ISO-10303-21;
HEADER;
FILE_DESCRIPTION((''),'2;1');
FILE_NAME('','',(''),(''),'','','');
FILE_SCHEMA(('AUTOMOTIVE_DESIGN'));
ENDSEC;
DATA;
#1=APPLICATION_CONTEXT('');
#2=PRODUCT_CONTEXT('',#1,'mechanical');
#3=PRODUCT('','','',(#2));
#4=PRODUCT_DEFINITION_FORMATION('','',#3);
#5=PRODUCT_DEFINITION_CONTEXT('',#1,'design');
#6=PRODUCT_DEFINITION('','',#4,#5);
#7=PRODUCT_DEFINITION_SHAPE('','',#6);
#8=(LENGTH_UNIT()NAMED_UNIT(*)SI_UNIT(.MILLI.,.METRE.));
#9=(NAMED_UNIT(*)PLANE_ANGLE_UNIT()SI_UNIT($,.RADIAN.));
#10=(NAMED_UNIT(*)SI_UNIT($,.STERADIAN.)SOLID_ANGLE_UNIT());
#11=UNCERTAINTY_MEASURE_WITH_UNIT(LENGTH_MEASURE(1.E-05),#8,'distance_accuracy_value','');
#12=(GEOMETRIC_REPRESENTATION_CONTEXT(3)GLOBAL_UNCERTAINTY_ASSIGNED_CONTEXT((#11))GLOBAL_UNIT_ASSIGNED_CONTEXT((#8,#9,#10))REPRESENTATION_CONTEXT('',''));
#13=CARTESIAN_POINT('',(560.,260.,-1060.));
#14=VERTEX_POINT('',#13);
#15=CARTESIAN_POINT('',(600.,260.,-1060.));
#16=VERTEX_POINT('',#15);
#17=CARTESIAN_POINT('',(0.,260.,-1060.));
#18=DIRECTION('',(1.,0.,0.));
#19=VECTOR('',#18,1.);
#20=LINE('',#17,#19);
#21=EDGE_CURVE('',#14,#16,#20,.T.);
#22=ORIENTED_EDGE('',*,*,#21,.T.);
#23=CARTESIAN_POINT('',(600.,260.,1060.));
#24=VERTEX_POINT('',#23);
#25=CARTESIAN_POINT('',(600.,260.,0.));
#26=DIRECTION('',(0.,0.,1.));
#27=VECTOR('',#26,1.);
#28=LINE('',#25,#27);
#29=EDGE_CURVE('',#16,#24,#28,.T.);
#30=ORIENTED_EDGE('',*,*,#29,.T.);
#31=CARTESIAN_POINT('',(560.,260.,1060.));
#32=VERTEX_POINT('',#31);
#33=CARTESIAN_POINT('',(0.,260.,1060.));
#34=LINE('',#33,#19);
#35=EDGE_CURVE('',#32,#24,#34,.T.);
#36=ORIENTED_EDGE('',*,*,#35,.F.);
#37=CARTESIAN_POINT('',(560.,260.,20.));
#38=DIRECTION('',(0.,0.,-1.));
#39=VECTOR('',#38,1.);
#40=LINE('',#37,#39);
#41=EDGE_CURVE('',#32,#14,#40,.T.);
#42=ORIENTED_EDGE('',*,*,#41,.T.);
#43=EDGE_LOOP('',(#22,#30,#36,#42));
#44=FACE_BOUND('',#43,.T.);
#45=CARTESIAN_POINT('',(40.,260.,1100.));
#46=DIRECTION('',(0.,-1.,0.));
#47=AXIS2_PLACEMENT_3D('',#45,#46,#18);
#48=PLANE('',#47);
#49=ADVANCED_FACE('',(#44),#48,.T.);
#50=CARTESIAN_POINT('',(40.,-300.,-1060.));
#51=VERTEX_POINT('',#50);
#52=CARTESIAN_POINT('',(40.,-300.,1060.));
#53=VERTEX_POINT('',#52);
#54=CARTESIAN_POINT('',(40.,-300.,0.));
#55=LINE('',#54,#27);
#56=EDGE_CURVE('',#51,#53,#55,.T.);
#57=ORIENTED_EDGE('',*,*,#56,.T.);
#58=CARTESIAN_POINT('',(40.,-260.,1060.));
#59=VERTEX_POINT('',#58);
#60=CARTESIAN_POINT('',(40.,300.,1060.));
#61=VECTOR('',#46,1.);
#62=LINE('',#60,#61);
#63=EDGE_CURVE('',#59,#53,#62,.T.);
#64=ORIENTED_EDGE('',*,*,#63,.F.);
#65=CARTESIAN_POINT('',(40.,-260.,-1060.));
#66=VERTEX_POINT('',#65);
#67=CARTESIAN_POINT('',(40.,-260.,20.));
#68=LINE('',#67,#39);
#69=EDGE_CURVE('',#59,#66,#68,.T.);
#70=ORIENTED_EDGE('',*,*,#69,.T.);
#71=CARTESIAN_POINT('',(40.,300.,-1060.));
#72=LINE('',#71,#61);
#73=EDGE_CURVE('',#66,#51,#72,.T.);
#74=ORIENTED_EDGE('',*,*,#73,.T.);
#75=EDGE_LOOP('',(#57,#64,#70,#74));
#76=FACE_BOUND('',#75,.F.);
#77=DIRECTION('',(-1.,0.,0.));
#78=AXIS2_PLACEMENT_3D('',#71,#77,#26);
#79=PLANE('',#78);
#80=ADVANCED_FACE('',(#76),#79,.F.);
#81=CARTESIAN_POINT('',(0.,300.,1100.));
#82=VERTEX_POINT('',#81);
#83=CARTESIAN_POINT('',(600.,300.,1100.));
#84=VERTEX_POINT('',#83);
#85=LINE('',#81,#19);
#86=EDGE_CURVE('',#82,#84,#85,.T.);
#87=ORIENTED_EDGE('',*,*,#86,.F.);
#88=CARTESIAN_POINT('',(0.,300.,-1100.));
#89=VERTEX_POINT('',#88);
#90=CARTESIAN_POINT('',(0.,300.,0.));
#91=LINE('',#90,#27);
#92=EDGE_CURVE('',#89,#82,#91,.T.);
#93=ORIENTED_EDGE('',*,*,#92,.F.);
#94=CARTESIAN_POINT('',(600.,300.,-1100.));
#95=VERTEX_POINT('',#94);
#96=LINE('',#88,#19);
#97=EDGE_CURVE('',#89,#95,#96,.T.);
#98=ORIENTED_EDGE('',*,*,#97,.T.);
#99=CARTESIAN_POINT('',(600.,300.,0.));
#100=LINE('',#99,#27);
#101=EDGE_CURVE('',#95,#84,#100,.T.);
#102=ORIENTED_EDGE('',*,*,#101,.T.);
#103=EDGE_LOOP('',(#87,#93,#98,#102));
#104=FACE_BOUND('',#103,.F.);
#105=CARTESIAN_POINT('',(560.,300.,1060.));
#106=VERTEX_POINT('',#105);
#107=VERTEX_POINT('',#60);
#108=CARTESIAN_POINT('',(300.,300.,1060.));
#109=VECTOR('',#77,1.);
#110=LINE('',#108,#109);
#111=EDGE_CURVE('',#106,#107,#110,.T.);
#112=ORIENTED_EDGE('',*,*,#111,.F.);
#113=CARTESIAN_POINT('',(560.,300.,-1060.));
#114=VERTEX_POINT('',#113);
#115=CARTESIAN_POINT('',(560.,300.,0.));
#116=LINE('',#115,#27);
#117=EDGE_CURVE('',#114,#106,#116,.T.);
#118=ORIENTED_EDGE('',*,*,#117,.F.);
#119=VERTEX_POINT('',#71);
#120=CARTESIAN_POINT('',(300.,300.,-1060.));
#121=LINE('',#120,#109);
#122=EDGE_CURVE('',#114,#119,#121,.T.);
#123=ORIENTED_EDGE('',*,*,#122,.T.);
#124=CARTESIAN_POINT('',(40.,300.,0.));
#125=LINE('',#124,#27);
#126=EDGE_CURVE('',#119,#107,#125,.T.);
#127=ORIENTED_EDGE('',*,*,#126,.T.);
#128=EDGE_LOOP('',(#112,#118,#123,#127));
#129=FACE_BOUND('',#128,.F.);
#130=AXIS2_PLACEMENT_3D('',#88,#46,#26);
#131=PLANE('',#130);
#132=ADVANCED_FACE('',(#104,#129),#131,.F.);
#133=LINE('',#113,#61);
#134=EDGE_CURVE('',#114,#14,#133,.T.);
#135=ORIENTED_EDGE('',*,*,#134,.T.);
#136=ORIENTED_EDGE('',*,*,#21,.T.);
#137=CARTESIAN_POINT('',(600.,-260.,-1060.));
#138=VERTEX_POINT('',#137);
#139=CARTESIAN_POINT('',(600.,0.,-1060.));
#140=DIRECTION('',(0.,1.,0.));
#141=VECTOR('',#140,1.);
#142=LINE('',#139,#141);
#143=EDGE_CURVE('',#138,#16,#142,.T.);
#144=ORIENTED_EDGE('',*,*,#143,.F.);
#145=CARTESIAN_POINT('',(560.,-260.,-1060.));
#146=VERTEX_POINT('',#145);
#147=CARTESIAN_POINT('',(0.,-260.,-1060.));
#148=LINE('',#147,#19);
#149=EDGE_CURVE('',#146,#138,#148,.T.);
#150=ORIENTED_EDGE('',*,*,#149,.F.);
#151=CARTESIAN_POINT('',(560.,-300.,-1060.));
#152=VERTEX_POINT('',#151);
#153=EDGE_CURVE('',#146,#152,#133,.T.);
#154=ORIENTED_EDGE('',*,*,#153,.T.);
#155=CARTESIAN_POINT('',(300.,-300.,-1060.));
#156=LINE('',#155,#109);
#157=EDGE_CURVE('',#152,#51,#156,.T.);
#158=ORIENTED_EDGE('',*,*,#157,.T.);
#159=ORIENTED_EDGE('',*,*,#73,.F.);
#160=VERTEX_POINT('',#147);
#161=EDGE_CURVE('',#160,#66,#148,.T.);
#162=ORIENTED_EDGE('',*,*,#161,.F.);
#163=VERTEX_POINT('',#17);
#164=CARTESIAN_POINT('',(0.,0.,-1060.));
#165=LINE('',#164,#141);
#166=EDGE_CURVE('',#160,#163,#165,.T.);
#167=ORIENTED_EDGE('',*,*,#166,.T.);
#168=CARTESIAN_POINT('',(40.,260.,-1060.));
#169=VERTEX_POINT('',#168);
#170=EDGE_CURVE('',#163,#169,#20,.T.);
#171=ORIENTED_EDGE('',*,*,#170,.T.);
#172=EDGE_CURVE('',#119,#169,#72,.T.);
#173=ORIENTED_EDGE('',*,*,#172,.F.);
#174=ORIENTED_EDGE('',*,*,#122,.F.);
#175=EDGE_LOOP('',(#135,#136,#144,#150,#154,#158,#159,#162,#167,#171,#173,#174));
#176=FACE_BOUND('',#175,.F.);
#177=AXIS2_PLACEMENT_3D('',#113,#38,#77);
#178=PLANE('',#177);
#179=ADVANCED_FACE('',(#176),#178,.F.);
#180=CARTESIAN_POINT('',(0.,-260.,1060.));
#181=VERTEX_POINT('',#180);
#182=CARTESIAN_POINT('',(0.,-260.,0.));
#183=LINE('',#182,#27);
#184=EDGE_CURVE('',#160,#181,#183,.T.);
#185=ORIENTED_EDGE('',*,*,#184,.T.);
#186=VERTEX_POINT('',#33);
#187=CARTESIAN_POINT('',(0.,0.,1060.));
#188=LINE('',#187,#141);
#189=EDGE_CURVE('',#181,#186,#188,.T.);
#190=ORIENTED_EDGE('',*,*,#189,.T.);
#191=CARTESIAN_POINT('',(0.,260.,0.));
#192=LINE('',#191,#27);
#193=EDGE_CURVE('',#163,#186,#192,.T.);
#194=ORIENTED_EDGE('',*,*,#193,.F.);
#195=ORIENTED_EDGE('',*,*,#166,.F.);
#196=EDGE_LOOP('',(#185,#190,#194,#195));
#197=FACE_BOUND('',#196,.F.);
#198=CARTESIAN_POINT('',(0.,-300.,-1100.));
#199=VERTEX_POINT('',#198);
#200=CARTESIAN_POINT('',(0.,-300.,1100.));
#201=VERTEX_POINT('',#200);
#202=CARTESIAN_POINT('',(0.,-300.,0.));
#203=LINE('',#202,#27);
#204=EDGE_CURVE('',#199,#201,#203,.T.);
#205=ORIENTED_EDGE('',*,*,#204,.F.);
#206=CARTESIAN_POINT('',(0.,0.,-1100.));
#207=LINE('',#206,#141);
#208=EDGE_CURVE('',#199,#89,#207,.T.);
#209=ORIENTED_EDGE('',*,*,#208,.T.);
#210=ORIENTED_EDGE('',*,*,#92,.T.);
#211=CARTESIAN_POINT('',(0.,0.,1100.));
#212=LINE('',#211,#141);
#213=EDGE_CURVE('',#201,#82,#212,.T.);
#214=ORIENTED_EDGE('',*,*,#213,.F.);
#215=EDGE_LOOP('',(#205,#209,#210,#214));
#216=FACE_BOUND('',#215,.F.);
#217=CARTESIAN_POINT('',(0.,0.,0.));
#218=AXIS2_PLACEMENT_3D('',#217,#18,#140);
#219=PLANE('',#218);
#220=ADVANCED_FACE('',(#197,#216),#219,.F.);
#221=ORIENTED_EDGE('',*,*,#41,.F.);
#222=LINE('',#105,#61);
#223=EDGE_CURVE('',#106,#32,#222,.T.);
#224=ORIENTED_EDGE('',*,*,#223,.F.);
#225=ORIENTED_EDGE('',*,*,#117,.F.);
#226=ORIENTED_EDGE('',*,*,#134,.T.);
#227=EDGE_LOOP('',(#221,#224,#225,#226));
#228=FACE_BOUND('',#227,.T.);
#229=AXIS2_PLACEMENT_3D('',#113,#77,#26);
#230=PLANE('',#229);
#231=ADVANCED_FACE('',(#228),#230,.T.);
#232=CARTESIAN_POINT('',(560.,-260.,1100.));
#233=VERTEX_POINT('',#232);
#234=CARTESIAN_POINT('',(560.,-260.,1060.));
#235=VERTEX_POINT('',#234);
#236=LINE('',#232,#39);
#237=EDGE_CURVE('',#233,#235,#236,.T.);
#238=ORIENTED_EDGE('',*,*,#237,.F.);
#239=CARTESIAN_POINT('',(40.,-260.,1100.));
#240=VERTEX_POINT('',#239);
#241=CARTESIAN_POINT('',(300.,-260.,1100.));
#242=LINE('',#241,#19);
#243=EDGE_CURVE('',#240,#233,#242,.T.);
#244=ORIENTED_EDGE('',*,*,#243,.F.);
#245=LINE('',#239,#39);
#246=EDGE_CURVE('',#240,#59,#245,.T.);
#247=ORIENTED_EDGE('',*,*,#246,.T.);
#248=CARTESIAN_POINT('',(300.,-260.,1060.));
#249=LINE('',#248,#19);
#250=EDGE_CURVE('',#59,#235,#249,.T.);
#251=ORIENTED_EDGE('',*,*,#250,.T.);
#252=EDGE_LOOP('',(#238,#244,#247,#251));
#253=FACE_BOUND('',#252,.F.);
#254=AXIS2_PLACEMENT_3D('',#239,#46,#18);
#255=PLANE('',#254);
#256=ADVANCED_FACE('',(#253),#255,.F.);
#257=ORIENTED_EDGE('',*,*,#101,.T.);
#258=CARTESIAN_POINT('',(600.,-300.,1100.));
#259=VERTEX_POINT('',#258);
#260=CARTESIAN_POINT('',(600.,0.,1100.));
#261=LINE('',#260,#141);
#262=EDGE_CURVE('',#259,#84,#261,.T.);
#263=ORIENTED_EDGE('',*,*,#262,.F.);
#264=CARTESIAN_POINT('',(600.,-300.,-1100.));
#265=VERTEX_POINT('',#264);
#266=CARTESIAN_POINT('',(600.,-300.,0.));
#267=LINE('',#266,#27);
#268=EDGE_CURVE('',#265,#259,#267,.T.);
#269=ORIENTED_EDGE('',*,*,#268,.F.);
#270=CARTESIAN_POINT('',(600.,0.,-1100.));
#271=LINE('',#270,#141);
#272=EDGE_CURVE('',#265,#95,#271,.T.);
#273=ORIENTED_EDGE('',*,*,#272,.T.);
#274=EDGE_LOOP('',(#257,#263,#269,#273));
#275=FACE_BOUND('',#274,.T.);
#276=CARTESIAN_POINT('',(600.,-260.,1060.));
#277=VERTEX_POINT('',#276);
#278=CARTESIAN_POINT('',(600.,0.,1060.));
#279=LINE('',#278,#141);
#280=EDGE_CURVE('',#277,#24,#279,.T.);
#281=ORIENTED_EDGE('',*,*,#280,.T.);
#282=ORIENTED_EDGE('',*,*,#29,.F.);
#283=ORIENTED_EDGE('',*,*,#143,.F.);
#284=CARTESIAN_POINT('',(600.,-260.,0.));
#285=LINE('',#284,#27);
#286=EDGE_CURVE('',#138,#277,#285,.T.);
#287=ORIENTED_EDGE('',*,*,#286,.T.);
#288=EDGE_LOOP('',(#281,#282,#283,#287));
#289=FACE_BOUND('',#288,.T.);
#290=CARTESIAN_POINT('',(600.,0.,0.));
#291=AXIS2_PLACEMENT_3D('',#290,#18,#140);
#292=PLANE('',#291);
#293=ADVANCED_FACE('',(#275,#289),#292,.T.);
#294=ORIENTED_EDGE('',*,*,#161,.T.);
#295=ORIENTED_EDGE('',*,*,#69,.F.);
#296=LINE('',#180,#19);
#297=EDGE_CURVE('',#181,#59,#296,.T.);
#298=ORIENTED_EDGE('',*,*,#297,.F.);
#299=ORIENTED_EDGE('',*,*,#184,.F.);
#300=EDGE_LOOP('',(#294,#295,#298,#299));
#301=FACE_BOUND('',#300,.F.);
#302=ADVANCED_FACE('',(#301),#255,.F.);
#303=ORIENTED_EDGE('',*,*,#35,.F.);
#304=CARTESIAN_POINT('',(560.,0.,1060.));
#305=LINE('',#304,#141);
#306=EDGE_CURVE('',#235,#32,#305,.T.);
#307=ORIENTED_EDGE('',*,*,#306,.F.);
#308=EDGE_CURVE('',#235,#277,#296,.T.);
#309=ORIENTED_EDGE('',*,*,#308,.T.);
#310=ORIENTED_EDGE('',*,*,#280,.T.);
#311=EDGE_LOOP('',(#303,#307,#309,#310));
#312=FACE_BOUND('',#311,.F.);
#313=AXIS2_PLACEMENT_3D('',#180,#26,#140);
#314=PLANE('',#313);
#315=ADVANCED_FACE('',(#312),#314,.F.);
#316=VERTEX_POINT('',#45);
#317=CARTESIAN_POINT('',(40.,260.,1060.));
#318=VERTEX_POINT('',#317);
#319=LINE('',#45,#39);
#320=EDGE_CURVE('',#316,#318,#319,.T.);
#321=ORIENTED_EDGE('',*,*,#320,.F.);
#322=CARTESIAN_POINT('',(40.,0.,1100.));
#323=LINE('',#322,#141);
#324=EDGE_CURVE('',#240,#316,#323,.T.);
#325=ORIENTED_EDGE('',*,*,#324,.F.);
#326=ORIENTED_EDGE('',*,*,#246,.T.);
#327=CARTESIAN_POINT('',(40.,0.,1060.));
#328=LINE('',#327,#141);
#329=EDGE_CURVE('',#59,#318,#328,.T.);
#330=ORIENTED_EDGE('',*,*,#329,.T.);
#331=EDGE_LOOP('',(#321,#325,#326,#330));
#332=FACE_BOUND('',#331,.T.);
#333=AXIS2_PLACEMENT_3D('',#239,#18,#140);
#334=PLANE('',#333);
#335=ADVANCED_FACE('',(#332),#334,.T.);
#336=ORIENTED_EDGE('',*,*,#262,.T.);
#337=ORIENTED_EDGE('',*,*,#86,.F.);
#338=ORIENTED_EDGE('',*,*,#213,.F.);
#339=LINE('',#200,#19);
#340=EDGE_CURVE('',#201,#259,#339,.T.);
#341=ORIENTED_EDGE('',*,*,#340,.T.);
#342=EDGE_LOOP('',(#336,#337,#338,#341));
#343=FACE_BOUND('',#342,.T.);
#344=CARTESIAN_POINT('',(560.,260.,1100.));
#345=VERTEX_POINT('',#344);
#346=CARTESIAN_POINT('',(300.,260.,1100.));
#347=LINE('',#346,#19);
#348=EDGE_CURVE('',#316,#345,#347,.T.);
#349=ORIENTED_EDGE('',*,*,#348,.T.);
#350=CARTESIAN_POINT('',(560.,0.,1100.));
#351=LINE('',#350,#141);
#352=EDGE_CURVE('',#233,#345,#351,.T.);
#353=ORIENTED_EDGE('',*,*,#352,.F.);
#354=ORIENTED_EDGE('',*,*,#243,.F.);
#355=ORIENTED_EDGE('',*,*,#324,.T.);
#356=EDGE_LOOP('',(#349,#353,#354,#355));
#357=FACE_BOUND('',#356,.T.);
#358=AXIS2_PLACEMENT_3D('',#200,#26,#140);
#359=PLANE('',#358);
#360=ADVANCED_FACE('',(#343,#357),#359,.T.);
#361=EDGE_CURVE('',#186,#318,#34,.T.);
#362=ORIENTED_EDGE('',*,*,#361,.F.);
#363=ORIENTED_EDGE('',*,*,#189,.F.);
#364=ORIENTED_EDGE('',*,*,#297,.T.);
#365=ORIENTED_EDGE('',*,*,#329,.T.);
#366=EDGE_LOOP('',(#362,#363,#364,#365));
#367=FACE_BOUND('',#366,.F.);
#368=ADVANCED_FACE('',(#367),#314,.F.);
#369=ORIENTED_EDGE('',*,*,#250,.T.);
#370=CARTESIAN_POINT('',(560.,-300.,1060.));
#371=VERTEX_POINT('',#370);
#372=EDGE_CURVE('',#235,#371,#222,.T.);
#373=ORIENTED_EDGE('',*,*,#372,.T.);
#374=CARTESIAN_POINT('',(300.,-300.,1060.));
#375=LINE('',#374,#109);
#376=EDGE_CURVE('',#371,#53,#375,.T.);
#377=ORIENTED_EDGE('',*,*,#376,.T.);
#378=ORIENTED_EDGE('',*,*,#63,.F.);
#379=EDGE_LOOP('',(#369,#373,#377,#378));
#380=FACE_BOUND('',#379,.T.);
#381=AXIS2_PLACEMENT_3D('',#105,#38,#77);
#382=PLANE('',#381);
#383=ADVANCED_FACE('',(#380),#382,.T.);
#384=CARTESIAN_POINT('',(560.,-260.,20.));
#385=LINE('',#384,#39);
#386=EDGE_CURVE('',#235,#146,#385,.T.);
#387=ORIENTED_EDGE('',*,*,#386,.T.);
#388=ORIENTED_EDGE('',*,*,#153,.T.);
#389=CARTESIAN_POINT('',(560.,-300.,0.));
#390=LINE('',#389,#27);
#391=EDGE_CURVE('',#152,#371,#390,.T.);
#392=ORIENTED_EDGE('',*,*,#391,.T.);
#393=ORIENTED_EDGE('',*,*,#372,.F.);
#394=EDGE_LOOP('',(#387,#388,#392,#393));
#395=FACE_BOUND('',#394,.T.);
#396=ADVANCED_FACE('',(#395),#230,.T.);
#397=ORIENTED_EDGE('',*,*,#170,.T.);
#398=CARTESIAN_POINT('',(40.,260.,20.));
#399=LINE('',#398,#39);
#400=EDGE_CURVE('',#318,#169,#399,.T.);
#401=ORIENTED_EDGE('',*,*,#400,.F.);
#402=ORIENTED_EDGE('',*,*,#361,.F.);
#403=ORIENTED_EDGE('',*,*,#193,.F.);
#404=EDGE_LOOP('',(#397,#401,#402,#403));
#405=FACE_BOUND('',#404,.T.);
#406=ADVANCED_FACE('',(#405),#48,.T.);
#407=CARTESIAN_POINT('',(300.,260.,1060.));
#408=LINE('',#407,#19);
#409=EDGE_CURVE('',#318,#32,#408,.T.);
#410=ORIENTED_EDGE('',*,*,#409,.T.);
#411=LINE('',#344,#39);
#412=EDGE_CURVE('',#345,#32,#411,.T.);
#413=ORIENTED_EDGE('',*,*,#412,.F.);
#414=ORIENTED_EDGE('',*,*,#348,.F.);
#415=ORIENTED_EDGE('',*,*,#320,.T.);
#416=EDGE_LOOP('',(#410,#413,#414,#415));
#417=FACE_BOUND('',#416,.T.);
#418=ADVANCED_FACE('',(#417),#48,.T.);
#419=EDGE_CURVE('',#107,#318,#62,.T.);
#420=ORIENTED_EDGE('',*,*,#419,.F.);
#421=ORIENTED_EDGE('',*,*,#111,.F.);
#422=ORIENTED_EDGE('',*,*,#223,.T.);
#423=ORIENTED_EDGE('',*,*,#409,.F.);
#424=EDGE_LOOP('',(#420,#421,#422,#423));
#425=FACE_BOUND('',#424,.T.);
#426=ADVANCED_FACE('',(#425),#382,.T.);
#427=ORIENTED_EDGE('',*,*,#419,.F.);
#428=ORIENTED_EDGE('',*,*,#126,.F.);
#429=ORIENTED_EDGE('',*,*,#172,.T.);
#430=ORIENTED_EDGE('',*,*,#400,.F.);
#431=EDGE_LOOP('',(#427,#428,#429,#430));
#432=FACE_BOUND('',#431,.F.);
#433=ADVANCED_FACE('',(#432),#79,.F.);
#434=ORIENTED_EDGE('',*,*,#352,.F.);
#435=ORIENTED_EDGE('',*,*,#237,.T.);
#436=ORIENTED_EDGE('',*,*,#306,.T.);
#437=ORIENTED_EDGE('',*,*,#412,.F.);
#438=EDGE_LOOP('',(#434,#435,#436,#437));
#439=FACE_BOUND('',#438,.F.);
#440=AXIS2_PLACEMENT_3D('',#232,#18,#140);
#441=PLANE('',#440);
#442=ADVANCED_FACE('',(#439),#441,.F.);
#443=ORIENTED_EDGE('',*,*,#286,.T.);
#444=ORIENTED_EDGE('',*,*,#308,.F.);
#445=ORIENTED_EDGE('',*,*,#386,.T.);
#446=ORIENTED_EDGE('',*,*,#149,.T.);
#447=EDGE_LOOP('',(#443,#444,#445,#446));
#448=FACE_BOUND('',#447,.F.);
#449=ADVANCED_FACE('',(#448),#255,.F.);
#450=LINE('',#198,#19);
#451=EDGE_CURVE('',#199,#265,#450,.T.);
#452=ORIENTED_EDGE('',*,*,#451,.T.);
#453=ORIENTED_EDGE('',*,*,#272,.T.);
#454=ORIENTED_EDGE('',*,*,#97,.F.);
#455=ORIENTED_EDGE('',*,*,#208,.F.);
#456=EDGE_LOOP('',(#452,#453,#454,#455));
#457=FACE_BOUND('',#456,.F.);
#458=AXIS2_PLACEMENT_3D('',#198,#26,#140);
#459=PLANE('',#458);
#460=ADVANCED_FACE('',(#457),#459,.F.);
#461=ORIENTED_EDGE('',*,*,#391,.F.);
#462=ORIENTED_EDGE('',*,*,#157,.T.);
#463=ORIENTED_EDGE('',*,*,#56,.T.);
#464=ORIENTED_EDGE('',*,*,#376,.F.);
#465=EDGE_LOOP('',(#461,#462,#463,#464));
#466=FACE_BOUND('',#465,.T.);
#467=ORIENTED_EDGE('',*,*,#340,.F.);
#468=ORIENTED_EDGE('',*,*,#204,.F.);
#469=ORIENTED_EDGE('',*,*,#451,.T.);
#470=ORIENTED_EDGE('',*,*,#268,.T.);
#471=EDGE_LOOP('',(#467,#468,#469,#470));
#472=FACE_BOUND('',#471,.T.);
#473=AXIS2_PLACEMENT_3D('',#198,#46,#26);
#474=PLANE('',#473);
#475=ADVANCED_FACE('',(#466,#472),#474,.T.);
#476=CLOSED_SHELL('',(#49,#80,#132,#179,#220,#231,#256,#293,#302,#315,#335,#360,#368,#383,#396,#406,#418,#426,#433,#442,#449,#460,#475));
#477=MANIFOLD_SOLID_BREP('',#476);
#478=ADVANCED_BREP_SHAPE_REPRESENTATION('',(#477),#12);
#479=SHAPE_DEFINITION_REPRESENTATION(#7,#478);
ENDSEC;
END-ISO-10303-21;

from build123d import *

# Parameters (mm, degrees)
F0_W     = 600
F0_H     = 2200
F0_W_2   = 520
F0_H_2   = 2120
F1_DEPTH = 600
F2_W     = 520
F2_H     = 520
F3_DEPTH = 40
F4_W     = 520
F4_H     = 2120
F5_DEPTH = 600


with BuildPart() as f1:
    # F0 (on Right) → F1 (new body)
    with BuildSketch(Plane.YZ):
        Rectangle(F0_W, F0_H)
        Rectangle(F0_W_2, F0_H_2, mode=Mode.SUBTRACT)
    extrude(amount=F1_DEPTH)

    # F2 (on face) → F3 (cut, through all)
    with BuildSketch(Plane.XY.offset(1100)):
        with Locations((300, 0)):
            Rectangle(F2_W, F2_H)
    extrude(amount=-F3_DEPTH, mode=Mode.SUBTRACT)

    # F4 (on face) → F5 (cut, through all)
    with BuildSketch(Plane(origin=(0, 300, 0), x_dir=(-1, 0, 0), z_dir=(0, 1, 0))):
        with Locations((-300, 0)):
            Rectangle(F4_W, F4_H)
    extrude(amount=-F5_DEPTH, mode=Mode.SUBTRACT)


solid = f1.part
